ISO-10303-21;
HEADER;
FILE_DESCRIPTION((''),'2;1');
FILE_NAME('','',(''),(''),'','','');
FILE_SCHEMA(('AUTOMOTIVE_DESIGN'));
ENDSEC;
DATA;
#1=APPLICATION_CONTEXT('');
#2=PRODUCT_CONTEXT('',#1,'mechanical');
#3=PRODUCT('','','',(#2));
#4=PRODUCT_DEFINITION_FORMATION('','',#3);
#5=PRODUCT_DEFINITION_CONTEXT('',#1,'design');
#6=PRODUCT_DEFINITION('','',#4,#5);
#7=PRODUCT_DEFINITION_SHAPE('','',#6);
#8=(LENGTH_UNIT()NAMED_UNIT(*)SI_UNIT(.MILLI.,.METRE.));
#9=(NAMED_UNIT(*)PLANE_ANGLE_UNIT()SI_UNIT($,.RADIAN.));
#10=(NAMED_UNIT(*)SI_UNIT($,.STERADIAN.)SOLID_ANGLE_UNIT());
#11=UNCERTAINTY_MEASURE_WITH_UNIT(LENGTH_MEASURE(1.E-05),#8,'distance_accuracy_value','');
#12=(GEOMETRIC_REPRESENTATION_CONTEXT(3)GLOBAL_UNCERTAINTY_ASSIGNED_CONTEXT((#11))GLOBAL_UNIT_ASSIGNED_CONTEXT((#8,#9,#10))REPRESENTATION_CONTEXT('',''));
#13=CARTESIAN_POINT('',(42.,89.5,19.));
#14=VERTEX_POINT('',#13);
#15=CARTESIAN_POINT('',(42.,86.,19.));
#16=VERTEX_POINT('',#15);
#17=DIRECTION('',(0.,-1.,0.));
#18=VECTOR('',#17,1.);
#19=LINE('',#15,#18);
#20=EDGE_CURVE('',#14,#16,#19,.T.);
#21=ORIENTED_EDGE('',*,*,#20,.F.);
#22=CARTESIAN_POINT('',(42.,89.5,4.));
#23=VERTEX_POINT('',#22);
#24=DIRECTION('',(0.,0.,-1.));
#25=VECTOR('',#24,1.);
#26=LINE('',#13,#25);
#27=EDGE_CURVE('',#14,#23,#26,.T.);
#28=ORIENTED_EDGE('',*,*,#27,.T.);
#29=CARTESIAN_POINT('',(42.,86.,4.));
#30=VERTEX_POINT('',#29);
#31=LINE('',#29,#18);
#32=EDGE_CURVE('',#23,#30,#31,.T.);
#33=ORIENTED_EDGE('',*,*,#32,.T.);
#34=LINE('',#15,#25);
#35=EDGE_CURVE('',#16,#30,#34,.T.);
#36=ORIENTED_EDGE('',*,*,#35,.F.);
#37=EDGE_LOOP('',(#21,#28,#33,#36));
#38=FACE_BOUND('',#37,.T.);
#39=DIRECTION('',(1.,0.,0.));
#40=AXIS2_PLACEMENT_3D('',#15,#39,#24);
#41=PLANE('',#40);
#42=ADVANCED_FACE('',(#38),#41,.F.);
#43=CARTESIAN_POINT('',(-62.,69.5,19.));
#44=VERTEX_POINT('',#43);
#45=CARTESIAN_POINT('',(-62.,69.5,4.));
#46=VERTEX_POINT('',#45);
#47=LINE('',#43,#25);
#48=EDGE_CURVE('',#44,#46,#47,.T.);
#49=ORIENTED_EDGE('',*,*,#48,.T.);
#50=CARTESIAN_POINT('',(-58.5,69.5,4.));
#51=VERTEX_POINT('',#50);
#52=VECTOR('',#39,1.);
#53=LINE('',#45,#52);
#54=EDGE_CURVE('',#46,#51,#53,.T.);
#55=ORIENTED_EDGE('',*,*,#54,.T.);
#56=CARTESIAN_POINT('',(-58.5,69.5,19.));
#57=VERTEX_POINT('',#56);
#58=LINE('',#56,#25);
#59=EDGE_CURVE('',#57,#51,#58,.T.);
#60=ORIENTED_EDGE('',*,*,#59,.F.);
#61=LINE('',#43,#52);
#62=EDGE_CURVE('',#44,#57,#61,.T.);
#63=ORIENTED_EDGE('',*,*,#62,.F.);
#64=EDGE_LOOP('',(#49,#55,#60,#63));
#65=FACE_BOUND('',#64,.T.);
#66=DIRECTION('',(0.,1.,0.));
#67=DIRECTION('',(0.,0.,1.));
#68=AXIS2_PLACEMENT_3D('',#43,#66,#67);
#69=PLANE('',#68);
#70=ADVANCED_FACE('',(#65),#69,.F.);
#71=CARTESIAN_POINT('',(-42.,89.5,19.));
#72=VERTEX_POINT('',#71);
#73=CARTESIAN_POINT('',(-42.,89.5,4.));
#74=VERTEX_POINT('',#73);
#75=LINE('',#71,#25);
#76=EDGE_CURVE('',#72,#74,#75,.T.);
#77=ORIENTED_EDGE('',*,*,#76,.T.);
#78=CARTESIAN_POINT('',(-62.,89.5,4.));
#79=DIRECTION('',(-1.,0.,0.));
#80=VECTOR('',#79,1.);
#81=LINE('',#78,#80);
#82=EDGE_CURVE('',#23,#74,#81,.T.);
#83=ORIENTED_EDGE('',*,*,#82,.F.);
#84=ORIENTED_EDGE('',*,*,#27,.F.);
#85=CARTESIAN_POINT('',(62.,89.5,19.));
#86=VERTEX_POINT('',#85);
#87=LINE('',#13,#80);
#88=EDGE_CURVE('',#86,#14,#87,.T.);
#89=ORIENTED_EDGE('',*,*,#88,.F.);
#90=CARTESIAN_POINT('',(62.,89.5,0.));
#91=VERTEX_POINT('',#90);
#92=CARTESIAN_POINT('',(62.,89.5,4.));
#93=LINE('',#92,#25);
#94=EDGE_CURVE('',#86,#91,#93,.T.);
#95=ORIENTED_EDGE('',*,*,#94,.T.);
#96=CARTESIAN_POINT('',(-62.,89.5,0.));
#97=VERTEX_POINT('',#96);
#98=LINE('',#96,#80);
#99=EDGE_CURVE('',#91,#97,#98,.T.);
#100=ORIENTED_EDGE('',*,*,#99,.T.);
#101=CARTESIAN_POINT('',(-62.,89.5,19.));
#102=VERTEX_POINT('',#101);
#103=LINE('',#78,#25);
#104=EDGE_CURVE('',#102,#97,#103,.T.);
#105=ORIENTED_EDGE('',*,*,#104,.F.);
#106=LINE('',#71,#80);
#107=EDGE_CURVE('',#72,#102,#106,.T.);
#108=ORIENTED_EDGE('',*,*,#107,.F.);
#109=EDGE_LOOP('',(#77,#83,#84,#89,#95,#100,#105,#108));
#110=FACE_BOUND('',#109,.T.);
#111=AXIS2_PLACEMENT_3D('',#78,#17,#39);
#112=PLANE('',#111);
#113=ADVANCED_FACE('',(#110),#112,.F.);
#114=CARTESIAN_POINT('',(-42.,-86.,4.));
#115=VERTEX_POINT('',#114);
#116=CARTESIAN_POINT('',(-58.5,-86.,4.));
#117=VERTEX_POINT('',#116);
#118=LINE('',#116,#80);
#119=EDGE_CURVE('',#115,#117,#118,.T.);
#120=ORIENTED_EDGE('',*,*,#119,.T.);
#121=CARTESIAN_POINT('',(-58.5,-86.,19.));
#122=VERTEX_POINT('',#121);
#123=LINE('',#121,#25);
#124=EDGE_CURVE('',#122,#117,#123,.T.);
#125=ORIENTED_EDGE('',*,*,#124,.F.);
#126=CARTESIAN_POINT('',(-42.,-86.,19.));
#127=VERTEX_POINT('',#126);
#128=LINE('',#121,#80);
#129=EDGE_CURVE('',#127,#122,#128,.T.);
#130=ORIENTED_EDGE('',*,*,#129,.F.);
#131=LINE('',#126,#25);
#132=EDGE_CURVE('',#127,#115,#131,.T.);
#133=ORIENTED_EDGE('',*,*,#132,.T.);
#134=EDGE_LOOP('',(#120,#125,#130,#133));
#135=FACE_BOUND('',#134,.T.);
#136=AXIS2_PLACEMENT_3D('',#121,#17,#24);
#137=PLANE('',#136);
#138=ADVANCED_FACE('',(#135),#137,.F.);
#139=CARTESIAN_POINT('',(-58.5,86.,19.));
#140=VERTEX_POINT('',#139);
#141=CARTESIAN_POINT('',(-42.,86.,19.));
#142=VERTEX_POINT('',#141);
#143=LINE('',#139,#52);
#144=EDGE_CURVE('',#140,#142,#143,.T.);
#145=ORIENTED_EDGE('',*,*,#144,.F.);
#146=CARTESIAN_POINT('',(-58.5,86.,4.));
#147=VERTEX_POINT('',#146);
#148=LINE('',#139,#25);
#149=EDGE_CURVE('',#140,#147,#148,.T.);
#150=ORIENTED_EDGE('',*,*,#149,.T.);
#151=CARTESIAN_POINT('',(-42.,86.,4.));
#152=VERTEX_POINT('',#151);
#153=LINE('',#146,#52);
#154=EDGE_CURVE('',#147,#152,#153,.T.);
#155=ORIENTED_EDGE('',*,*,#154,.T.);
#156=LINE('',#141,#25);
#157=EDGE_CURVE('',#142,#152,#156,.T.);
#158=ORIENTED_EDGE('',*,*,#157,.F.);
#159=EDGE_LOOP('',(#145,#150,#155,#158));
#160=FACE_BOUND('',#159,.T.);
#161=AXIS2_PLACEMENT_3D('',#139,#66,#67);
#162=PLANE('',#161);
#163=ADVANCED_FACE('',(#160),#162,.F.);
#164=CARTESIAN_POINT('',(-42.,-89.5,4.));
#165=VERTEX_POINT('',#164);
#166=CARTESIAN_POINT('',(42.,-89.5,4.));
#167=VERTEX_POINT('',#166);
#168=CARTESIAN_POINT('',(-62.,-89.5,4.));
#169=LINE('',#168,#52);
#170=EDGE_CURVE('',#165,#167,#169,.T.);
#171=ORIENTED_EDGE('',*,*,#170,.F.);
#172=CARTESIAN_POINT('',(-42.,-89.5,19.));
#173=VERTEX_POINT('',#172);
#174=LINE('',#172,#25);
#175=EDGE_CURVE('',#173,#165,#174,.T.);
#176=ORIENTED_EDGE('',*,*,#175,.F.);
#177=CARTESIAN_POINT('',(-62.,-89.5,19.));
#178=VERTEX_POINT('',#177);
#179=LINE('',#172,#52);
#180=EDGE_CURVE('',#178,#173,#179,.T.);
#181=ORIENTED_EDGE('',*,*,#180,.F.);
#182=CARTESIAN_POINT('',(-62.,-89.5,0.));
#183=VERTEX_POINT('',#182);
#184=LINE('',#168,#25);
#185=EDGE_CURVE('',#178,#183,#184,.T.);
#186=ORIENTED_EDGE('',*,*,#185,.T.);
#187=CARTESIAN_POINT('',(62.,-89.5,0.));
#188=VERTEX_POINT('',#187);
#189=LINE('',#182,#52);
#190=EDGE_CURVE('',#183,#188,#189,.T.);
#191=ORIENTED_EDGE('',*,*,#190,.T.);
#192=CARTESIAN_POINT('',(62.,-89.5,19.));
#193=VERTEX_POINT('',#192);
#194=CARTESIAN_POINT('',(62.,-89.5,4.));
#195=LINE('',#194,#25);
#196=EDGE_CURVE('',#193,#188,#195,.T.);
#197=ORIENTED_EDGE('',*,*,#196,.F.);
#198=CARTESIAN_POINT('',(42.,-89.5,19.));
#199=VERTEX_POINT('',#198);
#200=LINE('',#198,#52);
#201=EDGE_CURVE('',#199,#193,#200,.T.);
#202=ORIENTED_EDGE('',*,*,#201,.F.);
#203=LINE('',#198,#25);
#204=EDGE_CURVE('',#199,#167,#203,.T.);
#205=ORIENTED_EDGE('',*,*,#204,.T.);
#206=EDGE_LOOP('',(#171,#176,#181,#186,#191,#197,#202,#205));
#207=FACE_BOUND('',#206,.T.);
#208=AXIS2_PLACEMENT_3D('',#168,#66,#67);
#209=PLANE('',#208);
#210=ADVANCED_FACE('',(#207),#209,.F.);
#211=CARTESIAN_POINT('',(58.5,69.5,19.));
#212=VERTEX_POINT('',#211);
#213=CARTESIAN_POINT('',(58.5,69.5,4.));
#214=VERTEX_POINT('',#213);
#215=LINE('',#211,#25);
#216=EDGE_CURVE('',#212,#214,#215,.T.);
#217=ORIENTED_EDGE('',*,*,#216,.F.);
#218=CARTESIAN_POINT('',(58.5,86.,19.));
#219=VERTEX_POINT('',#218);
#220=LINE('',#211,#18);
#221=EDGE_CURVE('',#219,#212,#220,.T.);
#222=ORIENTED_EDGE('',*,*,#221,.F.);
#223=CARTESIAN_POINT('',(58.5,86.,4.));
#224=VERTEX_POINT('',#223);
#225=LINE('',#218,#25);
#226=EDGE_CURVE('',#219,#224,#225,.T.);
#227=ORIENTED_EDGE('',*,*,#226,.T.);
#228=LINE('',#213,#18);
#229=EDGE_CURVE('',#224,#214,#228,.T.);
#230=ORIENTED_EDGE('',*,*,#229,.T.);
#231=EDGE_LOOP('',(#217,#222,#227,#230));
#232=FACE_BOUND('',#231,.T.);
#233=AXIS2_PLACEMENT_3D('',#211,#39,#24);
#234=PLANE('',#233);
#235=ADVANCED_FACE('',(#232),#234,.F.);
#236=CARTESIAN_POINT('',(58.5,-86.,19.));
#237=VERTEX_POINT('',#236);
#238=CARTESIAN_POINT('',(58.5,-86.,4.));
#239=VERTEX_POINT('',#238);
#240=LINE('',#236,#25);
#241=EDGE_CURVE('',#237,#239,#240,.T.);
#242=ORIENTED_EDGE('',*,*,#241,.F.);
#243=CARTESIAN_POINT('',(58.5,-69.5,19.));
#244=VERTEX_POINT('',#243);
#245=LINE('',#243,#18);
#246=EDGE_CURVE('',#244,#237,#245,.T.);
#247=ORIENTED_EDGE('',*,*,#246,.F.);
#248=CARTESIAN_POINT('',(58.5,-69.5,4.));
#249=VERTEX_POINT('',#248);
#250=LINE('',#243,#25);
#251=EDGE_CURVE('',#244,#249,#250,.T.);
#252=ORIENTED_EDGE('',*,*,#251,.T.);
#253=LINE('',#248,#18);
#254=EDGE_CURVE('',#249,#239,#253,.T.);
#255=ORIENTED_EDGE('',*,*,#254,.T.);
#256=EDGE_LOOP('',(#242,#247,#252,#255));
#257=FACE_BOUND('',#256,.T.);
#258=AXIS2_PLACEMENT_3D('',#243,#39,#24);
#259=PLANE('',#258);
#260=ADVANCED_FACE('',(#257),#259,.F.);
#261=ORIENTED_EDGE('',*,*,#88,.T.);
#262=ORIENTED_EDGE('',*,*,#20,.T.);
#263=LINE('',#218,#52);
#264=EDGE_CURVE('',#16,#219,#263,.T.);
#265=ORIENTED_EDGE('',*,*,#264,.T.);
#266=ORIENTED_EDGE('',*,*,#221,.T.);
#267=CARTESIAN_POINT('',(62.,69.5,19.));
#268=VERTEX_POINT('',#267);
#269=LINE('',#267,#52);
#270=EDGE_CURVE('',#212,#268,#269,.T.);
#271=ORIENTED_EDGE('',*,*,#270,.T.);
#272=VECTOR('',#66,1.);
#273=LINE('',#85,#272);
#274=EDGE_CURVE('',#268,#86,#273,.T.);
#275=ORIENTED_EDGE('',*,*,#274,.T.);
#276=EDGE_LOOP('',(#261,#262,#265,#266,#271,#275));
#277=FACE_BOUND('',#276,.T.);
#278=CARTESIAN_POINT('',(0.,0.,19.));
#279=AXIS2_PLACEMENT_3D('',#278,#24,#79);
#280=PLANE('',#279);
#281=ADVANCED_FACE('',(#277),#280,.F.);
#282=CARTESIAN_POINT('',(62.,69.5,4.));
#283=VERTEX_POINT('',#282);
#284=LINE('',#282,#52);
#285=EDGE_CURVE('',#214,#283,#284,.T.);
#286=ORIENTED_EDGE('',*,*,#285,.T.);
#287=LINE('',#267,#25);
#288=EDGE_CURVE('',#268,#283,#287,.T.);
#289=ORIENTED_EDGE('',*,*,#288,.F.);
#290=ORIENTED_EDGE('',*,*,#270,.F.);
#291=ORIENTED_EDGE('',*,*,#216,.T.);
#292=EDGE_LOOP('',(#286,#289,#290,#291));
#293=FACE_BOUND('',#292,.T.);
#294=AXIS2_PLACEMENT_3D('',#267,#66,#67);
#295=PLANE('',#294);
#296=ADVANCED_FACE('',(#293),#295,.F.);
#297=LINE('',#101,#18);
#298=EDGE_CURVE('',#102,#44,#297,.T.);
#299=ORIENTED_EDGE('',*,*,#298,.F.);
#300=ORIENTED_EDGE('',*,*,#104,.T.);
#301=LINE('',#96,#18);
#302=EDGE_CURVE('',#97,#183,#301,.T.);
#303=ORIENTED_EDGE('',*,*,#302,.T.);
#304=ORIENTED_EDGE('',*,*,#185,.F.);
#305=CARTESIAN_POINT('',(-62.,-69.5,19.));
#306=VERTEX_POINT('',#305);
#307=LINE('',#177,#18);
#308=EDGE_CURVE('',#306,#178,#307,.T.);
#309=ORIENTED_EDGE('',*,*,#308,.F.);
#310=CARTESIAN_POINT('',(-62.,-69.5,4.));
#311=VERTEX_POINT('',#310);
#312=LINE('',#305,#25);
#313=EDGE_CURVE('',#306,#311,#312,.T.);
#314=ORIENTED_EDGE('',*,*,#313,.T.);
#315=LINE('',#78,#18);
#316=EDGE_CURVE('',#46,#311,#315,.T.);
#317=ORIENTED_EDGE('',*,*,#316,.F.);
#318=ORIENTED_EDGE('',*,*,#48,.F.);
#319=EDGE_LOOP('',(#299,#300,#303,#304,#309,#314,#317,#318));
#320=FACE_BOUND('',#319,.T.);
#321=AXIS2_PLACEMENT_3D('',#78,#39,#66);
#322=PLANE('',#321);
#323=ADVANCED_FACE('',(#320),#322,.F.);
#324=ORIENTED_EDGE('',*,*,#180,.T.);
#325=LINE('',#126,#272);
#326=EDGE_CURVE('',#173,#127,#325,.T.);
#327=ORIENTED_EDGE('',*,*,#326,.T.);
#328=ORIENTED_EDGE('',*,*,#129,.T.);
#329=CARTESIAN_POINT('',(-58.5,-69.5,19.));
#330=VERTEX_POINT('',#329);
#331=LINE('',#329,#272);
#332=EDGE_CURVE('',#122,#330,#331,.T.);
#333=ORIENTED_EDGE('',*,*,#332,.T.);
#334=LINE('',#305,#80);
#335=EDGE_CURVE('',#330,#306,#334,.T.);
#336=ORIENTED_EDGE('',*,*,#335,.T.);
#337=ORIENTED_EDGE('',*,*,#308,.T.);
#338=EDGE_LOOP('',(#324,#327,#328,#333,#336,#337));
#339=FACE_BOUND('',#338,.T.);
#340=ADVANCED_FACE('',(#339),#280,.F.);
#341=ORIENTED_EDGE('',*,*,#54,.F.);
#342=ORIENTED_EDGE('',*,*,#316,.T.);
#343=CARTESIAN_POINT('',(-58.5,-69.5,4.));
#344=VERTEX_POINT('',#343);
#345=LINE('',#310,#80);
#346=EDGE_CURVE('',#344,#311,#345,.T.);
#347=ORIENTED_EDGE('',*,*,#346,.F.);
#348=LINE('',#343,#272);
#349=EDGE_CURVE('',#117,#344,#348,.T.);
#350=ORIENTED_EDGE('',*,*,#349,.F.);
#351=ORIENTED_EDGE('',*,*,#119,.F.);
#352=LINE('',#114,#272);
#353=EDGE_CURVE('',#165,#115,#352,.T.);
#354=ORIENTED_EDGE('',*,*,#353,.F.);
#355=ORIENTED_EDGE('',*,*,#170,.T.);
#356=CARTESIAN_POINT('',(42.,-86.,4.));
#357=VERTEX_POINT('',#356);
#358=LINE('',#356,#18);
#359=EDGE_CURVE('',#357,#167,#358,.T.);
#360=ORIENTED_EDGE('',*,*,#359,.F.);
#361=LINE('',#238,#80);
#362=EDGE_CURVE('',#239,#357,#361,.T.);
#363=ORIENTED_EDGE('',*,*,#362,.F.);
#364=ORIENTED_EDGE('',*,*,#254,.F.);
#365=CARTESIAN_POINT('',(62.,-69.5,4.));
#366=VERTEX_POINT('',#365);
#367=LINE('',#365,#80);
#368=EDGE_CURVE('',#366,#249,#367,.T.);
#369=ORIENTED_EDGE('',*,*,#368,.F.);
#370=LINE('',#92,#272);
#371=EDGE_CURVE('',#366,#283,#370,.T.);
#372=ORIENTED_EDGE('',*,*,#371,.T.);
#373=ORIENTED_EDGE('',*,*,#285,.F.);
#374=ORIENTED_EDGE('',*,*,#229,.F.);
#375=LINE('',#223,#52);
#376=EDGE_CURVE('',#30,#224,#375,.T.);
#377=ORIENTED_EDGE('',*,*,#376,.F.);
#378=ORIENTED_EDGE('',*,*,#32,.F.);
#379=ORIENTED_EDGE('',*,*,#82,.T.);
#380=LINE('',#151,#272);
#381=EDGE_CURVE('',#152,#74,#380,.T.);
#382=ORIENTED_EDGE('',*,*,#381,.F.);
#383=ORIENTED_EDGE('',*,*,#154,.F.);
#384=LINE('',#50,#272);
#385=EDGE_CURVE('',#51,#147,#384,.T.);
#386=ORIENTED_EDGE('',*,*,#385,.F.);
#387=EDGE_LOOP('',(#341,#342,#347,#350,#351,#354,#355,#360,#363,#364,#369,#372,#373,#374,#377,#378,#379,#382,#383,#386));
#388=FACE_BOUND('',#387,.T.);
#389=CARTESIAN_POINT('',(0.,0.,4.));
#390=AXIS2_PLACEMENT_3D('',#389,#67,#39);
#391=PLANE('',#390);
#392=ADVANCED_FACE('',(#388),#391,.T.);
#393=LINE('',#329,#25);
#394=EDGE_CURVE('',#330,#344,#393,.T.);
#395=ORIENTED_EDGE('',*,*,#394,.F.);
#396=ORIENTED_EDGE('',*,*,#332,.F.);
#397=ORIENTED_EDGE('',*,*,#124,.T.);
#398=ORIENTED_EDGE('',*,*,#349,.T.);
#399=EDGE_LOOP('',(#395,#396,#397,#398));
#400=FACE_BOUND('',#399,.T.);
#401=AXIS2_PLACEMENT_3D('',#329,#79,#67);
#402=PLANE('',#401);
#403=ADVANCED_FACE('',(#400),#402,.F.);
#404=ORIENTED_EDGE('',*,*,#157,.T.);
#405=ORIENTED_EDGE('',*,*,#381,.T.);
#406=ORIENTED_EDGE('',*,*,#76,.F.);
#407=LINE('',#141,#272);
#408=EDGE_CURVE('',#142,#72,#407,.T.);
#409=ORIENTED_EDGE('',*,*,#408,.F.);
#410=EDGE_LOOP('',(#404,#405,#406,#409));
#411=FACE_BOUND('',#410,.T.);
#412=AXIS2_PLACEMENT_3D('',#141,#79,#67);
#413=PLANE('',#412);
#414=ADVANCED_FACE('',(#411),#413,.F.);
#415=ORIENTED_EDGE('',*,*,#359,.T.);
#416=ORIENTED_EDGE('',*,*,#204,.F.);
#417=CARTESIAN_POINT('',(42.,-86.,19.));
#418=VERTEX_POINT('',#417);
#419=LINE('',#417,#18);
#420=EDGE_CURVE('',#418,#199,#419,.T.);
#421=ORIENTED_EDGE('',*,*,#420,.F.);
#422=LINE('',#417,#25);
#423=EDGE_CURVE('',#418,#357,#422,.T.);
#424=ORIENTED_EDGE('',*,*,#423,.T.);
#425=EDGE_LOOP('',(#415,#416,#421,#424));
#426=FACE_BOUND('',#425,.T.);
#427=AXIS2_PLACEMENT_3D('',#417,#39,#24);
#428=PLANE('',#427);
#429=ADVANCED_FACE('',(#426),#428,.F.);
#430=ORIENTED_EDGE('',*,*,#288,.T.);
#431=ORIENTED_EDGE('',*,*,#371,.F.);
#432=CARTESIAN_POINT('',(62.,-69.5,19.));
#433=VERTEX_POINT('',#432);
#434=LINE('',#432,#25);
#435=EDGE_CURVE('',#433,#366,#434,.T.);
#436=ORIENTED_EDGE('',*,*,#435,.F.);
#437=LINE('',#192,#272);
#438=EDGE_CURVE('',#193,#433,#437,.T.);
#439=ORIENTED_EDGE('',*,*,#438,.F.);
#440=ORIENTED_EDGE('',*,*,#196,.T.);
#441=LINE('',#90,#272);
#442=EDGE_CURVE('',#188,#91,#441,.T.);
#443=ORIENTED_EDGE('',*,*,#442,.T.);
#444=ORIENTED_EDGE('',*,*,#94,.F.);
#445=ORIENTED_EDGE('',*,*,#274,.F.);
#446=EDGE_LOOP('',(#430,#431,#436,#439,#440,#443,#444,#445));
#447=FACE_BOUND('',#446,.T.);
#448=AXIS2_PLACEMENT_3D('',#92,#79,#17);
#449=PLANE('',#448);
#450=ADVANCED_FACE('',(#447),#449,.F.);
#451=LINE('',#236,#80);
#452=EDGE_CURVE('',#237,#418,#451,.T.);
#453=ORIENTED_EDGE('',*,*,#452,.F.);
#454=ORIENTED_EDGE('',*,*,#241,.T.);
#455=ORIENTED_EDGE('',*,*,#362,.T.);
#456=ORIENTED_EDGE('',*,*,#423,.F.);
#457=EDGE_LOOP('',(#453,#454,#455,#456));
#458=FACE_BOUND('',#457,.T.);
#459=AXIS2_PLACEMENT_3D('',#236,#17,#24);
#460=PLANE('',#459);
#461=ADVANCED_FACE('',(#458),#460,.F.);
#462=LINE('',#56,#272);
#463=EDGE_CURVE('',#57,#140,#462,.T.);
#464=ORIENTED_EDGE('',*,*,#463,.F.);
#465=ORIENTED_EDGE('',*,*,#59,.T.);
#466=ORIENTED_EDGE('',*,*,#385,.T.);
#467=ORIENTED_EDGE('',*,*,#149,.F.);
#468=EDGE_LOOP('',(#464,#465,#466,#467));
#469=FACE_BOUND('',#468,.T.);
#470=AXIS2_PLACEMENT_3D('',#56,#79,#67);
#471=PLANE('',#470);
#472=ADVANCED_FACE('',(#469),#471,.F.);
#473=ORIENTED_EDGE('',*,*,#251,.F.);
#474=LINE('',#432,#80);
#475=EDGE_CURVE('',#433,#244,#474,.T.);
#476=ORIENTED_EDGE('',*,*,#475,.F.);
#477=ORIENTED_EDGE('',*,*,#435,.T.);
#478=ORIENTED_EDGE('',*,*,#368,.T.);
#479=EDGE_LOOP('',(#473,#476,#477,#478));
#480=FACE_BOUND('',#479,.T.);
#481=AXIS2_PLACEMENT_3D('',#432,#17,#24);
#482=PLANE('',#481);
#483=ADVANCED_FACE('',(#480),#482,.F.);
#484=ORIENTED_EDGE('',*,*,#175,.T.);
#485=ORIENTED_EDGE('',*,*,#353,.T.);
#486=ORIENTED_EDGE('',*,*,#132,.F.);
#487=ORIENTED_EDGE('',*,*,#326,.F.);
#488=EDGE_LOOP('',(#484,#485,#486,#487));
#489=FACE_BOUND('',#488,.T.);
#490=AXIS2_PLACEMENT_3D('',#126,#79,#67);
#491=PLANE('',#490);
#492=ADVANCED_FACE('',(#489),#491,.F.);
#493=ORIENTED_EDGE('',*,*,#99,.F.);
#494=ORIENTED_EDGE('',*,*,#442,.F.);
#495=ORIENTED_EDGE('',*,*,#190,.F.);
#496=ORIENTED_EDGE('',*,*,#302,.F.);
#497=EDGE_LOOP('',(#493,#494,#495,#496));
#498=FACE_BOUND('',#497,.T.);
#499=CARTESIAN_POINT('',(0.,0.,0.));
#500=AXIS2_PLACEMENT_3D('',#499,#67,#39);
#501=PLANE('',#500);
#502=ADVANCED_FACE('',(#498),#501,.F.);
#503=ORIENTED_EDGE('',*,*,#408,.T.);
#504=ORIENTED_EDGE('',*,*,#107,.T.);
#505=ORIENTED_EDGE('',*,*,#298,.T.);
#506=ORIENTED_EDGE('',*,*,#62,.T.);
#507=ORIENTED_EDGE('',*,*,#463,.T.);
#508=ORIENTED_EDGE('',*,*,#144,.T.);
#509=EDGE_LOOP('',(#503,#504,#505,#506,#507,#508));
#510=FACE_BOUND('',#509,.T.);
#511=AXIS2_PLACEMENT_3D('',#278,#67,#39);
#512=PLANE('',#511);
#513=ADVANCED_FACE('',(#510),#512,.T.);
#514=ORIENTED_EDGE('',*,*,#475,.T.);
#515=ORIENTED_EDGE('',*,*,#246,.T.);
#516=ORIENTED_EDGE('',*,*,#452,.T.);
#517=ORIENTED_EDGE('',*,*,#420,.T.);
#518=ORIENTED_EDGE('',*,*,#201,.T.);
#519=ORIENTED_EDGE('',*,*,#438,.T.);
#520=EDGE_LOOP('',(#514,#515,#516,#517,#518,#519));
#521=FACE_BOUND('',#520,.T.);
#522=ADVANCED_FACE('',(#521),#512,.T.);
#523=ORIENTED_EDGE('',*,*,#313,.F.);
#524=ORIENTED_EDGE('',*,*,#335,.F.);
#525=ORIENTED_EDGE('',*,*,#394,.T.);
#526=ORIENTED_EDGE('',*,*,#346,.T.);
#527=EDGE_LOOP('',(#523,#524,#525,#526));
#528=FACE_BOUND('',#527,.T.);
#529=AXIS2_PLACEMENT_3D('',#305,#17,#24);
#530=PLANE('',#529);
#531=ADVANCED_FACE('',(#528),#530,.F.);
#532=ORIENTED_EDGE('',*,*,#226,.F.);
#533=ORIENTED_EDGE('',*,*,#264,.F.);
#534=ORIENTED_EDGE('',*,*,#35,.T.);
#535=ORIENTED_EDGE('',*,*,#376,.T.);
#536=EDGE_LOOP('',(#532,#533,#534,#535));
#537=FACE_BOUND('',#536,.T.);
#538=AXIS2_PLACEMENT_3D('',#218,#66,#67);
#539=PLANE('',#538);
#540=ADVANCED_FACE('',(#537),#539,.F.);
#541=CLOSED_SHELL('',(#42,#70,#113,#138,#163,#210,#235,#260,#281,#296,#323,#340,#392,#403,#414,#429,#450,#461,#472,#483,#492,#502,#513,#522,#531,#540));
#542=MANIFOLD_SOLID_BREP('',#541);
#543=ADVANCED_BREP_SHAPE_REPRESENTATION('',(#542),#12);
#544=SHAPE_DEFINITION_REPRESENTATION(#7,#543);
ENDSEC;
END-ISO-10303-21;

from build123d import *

# Parameters (mm, degrees)
SKETCH_1_W      = 124
SKETCH_1_H      = 179
EXTRUDE_1_DEPTH = 4
EXTRUDE_2_DEPTH = 15


with BuildPart() as part:
    # 草圖1 → 填料-伸長1 (new body)
    with BuildSketch(Plane.XY):
        Rectangle(SKETCH_1_W, SKETCH_1_H)
    extrude(amount=EXTRUDE_1_DEPTH)

    # 草圖3 → 填料-伸長2 (add)
    with BuildSketch(Plane.XY.offset(4)):
        Polygon((-62, 89.5), (-62, 69.5), (-58.5, 69.5), (-58.5, 86), (-42, 86), (-42, 89.5), align=None)
        Polygon((42, 86), (42, 89.5), (62, 89.5), (62, 69.5), (58.5, 69.5), (58.5, 86), align=None)
        Polygon((62, -89.5), (62, -69.5), (58.5, -69.5), (58.5, -86), (42, -86), (42, -89.5), align=None)
        Polygon((-42, -86), (-42, -89.5), (-62, -89.5), (-62, -69.5), (-58.5, -69.5), (-58.5, -86), align=None)
    extrude(amount=EXTRUDE_2_DEPTH)


solid = part.part
